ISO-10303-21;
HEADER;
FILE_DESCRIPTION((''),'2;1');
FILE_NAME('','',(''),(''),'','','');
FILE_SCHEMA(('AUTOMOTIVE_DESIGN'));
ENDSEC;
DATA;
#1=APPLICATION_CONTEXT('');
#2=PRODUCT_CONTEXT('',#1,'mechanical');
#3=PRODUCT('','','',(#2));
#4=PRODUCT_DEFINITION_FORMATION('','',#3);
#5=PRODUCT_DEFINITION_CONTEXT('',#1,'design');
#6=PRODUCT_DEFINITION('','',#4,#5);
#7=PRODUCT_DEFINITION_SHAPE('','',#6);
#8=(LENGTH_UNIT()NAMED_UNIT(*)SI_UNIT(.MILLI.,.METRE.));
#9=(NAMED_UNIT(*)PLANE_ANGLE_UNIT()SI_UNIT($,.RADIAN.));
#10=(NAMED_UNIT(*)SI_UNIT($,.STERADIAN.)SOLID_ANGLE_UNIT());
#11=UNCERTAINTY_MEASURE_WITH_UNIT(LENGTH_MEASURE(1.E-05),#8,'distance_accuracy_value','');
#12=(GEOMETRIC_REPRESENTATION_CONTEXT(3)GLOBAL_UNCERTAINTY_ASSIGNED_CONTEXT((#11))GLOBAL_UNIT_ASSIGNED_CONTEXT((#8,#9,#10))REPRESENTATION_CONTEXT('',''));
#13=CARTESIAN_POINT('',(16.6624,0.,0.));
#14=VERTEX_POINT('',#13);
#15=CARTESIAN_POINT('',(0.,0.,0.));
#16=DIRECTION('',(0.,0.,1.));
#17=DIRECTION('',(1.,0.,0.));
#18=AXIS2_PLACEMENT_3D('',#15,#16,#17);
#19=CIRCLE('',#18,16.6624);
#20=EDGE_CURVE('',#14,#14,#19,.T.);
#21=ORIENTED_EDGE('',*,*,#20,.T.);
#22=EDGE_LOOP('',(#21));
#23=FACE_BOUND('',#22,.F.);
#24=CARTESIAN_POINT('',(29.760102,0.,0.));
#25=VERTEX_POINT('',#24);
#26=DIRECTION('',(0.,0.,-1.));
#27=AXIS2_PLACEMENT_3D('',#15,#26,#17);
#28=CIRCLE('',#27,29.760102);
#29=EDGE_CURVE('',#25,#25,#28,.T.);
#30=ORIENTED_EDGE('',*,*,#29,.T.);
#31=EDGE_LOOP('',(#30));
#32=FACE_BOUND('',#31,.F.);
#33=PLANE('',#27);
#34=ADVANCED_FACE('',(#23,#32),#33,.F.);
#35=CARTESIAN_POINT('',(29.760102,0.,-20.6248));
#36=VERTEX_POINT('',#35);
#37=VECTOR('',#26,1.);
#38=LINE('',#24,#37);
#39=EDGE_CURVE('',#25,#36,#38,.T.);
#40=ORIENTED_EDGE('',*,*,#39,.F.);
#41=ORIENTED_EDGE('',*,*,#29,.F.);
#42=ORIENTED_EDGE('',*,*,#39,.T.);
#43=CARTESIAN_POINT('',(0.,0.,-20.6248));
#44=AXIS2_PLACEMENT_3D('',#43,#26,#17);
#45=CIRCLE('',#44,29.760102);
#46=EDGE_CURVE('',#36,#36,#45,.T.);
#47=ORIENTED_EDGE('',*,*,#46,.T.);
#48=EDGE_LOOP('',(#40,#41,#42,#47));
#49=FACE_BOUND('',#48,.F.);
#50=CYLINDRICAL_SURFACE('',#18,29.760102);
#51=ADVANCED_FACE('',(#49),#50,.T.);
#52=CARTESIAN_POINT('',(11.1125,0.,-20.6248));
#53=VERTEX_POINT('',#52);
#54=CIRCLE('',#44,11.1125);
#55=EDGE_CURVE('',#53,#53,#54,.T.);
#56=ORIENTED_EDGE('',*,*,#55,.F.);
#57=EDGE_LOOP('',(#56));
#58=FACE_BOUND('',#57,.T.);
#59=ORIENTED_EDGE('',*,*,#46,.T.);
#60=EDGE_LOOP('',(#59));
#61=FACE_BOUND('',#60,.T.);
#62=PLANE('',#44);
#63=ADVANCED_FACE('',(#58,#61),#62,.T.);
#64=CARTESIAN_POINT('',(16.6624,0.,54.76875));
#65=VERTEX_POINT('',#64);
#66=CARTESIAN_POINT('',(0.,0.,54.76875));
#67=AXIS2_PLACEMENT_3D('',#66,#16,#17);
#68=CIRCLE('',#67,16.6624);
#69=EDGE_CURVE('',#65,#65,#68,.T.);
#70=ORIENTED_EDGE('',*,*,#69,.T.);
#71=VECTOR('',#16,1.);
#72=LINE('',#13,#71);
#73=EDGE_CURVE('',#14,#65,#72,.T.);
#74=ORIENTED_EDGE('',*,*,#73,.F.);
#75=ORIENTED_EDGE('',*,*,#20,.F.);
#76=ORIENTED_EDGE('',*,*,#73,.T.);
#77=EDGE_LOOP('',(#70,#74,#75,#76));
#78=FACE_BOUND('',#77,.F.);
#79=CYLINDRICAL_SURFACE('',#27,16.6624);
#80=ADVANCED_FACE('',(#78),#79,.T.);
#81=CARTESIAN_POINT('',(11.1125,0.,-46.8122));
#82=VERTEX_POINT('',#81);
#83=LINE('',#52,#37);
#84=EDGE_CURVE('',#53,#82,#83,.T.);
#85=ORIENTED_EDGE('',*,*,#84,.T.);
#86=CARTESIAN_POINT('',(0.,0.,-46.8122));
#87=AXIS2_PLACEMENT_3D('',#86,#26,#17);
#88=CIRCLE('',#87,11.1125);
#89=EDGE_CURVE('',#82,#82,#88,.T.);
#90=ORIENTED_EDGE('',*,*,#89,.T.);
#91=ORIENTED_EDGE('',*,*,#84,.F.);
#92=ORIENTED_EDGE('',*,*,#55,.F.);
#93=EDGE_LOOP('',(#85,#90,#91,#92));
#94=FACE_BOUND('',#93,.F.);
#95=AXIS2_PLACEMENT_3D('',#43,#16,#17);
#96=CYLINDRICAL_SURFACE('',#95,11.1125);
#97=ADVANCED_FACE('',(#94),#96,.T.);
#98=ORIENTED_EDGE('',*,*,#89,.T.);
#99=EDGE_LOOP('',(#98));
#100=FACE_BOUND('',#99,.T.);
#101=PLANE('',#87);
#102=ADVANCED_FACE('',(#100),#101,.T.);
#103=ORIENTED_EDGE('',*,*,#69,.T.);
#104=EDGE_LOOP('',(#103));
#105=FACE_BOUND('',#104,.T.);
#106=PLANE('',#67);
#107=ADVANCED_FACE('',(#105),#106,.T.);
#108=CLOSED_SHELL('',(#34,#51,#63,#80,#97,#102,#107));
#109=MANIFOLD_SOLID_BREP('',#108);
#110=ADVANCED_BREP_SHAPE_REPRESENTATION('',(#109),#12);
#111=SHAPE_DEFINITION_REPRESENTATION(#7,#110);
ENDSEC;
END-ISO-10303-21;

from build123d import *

# Parameters (mm, degrees)
F0_R     = 16.6624
F1_DEPTH = 54.76875
F2_R     = 29.760102
F3_DEPTH = 20.6248
F4_R     = 11.1125
F5_DEPTH = 26.1874


with BuildPart() as f1:
    # F0 (on Top) → F1 (new body)
    with BuildSketch(Plane.XY):
        Circle(F0_R)
    extrude(amount=F1_DEPTH)

    # F2 (on face) → F3 (join)
    with BuildSketch(Plane(origin=(0, 0, 0), x_dir=(1, 0, 0), z_dir=(0, 0, -1))):
        Circle(F2_R)
    extrude(amount=F3_DEPTH)

    # F4 (on face) → F5 (join)
    with BuildSketch(Plane(origin=(0, 0, -20.6248), x_dir=(1, 0, 0), z_dir=(0, 0, -1))):
        Circle(F4_R)
    extrude(amount=F5_DEPTH)


solid = f1.part
